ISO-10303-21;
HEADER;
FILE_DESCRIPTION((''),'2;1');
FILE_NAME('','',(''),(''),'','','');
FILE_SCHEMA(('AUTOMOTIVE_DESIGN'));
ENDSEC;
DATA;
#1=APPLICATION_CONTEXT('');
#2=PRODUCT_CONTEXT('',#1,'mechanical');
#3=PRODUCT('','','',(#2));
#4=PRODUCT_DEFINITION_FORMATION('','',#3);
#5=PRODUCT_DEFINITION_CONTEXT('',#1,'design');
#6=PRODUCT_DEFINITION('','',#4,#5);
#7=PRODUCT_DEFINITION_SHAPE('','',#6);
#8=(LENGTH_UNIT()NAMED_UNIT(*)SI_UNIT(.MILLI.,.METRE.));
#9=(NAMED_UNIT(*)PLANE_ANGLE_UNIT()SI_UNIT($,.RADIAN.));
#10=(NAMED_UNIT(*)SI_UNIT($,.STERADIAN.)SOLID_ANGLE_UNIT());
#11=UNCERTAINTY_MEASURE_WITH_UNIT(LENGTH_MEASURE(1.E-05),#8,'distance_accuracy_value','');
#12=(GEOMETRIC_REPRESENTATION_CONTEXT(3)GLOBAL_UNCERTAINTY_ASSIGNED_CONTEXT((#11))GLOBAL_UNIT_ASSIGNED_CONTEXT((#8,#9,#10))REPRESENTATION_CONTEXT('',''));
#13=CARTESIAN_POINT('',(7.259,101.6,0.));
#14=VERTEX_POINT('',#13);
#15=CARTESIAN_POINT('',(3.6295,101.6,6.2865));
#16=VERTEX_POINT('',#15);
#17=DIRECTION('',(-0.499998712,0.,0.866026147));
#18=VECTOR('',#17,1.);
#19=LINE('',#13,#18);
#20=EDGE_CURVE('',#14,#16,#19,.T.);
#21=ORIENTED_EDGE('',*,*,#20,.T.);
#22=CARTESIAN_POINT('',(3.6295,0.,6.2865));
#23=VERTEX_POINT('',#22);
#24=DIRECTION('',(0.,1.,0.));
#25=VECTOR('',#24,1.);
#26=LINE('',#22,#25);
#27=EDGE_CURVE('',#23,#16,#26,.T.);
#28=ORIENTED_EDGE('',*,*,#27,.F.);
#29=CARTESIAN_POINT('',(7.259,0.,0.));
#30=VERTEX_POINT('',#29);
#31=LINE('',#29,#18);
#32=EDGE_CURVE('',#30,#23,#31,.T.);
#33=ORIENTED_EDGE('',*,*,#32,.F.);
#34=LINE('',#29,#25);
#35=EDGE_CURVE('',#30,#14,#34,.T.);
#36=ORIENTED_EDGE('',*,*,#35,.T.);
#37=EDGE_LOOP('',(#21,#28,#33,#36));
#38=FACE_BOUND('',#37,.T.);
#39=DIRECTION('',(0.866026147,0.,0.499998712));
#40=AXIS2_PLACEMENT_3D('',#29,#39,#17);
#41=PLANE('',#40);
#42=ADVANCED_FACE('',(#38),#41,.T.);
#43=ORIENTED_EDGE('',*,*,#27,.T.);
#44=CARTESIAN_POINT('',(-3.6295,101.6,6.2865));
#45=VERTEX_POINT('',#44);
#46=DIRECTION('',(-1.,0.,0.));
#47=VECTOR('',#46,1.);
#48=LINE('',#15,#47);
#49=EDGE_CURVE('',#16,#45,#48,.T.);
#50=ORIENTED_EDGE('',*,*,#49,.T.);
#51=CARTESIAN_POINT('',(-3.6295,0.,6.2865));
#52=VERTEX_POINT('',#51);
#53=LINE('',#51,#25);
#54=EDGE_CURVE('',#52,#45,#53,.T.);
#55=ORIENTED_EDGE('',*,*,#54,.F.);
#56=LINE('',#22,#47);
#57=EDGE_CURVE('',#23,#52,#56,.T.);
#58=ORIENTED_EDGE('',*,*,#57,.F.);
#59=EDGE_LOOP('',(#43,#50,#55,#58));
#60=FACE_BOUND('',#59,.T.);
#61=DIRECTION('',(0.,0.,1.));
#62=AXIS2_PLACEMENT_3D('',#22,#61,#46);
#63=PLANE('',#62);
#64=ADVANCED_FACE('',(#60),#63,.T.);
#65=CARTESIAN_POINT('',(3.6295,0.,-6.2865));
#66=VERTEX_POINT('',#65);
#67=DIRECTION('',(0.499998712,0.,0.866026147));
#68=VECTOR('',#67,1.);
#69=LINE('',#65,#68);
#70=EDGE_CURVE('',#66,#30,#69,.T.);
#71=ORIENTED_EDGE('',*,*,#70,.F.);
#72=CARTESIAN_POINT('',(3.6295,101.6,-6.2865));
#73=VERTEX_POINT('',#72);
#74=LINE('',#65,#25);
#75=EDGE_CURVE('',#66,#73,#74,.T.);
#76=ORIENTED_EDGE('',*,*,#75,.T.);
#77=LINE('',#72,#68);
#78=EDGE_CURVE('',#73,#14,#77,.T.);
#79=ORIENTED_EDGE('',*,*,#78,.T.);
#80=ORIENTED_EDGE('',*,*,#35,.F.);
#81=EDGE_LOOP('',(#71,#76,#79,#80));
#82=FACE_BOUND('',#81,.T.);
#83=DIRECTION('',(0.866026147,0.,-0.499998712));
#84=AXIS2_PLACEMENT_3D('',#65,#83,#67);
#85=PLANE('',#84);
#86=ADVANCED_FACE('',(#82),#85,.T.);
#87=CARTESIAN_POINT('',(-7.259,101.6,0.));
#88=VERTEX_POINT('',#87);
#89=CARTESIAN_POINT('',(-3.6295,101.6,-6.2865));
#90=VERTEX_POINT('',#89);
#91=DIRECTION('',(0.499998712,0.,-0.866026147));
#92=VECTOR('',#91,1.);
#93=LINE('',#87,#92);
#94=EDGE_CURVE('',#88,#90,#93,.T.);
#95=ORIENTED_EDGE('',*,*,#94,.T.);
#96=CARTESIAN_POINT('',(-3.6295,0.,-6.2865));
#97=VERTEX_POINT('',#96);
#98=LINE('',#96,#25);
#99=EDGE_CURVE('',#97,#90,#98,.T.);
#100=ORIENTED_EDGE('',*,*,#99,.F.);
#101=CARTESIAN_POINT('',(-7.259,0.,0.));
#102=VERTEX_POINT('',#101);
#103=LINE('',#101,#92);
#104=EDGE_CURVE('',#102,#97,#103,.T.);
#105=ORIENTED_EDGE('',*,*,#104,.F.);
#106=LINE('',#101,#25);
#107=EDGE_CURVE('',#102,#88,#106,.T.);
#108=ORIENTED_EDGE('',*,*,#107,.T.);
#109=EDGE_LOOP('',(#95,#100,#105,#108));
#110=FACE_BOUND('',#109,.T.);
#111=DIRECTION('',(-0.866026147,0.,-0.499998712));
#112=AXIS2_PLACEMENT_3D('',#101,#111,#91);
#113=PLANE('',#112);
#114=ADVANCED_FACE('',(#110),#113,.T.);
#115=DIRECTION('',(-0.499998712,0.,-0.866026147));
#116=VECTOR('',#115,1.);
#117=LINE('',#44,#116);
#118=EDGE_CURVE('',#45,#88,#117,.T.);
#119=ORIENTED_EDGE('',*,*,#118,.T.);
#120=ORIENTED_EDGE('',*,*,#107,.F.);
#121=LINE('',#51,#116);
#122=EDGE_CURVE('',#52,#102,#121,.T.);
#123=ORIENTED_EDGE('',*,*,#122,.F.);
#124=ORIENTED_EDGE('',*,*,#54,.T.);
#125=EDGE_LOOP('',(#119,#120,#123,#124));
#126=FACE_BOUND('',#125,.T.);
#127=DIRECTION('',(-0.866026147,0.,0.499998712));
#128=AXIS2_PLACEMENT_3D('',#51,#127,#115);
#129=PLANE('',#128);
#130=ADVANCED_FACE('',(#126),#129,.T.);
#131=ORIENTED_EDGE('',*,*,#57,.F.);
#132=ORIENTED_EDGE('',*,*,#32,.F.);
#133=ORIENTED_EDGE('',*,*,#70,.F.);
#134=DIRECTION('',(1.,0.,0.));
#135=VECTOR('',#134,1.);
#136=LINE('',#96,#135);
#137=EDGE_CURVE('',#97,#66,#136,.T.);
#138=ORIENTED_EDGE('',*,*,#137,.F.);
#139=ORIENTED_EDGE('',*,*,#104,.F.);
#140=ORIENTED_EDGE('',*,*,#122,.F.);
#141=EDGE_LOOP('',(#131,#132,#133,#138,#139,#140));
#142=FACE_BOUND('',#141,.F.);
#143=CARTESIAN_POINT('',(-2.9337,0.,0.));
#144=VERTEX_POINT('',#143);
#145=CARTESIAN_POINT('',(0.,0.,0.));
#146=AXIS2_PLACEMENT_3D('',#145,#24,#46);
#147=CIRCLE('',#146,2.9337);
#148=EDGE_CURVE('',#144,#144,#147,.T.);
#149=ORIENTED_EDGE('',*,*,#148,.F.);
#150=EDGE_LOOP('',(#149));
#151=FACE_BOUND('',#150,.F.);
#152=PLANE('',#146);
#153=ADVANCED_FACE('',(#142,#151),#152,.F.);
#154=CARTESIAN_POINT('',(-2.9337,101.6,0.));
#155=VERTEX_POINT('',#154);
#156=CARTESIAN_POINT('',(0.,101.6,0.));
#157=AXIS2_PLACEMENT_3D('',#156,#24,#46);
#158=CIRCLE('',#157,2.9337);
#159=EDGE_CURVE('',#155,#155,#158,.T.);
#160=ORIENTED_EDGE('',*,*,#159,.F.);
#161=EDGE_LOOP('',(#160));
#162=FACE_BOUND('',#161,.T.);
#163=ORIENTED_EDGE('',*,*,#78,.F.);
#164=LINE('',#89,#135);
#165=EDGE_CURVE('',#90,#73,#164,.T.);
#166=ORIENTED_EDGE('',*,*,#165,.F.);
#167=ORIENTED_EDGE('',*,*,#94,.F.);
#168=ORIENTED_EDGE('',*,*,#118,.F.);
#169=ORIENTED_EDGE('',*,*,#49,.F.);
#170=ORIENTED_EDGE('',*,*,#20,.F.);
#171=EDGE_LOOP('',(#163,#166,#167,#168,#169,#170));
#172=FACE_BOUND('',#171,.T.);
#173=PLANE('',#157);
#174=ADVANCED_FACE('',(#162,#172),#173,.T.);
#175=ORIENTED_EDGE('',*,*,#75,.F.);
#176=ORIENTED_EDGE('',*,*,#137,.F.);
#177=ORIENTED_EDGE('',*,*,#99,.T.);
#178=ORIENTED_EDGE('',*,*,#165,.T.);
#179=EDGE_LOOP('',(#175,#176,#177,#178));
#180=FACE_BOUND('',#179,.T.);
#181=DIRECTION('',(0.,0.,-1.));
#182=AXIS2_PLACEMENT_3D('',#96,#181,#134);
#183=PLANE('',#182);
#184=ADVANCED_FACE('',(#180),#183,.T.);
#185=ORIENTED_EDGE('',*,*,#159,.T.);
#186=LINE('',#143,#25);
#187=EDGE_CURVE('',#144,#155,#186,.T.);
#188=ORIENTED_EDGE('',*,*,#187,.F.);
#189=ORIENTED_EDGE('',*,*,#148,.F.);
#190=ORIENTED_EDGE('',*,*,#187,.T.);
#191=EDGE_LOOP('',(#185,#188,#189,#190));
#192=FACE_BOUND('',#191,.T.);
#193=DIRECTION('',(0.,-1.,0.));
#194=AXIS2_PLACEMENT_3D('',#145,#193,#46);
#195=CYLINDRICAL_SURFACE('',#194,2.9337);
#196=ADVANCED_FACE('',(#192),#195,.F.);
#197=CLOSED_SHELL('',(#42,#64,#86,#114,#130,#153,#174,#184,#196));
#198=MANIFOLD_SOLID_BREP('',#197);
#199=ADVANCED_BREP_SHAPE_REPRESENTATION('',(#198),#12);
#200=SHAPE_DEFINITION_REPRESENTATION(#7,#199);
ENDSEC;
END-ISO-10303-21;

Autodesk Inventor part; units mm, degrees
ref_plane "YZ Plane" through (0, 0, 0) normal (1, 0, 0) x (0, 1, 0)
ref_plane "XZ Plane" through (0, 0, 0) normal (0, 1, 0) x (-1, 0, 0)
ref_plane "XY Plane" through (0, 0, 0) normal (0, 0, 1) x (1, 0, 0)
sketch "Sketch1" plane through (0, 0, 0) normal (0, 1, 0) x (-1, 0, 0)
  circle A0 centre (0, 0) radius 2.9337
  line L0 (-3.6295, -6.2865) -> (-7.259, 0)
  line L1 (-7.259, 0) -> (-3.6295, 6.2865)
  line L2 (-3.6295, 6.2865) -> (3.6295, 6.2865)
  line L3 (3.6295, 6.2865) -> (7.259, 0)
  line L4 (7.259, 0) -> (3.6295, -6.2865)
  line L5 (3.6295, -6.2865) -> (-3.6295, -6.2865)
  dimension "d0" = 5.8674
  dimension "d1" = 6.2865
extrude "Extrusion1" add sketch "Sketch1" along normal blind 101.6
properties part number "3 in churro" material "Aluminum 6061"
